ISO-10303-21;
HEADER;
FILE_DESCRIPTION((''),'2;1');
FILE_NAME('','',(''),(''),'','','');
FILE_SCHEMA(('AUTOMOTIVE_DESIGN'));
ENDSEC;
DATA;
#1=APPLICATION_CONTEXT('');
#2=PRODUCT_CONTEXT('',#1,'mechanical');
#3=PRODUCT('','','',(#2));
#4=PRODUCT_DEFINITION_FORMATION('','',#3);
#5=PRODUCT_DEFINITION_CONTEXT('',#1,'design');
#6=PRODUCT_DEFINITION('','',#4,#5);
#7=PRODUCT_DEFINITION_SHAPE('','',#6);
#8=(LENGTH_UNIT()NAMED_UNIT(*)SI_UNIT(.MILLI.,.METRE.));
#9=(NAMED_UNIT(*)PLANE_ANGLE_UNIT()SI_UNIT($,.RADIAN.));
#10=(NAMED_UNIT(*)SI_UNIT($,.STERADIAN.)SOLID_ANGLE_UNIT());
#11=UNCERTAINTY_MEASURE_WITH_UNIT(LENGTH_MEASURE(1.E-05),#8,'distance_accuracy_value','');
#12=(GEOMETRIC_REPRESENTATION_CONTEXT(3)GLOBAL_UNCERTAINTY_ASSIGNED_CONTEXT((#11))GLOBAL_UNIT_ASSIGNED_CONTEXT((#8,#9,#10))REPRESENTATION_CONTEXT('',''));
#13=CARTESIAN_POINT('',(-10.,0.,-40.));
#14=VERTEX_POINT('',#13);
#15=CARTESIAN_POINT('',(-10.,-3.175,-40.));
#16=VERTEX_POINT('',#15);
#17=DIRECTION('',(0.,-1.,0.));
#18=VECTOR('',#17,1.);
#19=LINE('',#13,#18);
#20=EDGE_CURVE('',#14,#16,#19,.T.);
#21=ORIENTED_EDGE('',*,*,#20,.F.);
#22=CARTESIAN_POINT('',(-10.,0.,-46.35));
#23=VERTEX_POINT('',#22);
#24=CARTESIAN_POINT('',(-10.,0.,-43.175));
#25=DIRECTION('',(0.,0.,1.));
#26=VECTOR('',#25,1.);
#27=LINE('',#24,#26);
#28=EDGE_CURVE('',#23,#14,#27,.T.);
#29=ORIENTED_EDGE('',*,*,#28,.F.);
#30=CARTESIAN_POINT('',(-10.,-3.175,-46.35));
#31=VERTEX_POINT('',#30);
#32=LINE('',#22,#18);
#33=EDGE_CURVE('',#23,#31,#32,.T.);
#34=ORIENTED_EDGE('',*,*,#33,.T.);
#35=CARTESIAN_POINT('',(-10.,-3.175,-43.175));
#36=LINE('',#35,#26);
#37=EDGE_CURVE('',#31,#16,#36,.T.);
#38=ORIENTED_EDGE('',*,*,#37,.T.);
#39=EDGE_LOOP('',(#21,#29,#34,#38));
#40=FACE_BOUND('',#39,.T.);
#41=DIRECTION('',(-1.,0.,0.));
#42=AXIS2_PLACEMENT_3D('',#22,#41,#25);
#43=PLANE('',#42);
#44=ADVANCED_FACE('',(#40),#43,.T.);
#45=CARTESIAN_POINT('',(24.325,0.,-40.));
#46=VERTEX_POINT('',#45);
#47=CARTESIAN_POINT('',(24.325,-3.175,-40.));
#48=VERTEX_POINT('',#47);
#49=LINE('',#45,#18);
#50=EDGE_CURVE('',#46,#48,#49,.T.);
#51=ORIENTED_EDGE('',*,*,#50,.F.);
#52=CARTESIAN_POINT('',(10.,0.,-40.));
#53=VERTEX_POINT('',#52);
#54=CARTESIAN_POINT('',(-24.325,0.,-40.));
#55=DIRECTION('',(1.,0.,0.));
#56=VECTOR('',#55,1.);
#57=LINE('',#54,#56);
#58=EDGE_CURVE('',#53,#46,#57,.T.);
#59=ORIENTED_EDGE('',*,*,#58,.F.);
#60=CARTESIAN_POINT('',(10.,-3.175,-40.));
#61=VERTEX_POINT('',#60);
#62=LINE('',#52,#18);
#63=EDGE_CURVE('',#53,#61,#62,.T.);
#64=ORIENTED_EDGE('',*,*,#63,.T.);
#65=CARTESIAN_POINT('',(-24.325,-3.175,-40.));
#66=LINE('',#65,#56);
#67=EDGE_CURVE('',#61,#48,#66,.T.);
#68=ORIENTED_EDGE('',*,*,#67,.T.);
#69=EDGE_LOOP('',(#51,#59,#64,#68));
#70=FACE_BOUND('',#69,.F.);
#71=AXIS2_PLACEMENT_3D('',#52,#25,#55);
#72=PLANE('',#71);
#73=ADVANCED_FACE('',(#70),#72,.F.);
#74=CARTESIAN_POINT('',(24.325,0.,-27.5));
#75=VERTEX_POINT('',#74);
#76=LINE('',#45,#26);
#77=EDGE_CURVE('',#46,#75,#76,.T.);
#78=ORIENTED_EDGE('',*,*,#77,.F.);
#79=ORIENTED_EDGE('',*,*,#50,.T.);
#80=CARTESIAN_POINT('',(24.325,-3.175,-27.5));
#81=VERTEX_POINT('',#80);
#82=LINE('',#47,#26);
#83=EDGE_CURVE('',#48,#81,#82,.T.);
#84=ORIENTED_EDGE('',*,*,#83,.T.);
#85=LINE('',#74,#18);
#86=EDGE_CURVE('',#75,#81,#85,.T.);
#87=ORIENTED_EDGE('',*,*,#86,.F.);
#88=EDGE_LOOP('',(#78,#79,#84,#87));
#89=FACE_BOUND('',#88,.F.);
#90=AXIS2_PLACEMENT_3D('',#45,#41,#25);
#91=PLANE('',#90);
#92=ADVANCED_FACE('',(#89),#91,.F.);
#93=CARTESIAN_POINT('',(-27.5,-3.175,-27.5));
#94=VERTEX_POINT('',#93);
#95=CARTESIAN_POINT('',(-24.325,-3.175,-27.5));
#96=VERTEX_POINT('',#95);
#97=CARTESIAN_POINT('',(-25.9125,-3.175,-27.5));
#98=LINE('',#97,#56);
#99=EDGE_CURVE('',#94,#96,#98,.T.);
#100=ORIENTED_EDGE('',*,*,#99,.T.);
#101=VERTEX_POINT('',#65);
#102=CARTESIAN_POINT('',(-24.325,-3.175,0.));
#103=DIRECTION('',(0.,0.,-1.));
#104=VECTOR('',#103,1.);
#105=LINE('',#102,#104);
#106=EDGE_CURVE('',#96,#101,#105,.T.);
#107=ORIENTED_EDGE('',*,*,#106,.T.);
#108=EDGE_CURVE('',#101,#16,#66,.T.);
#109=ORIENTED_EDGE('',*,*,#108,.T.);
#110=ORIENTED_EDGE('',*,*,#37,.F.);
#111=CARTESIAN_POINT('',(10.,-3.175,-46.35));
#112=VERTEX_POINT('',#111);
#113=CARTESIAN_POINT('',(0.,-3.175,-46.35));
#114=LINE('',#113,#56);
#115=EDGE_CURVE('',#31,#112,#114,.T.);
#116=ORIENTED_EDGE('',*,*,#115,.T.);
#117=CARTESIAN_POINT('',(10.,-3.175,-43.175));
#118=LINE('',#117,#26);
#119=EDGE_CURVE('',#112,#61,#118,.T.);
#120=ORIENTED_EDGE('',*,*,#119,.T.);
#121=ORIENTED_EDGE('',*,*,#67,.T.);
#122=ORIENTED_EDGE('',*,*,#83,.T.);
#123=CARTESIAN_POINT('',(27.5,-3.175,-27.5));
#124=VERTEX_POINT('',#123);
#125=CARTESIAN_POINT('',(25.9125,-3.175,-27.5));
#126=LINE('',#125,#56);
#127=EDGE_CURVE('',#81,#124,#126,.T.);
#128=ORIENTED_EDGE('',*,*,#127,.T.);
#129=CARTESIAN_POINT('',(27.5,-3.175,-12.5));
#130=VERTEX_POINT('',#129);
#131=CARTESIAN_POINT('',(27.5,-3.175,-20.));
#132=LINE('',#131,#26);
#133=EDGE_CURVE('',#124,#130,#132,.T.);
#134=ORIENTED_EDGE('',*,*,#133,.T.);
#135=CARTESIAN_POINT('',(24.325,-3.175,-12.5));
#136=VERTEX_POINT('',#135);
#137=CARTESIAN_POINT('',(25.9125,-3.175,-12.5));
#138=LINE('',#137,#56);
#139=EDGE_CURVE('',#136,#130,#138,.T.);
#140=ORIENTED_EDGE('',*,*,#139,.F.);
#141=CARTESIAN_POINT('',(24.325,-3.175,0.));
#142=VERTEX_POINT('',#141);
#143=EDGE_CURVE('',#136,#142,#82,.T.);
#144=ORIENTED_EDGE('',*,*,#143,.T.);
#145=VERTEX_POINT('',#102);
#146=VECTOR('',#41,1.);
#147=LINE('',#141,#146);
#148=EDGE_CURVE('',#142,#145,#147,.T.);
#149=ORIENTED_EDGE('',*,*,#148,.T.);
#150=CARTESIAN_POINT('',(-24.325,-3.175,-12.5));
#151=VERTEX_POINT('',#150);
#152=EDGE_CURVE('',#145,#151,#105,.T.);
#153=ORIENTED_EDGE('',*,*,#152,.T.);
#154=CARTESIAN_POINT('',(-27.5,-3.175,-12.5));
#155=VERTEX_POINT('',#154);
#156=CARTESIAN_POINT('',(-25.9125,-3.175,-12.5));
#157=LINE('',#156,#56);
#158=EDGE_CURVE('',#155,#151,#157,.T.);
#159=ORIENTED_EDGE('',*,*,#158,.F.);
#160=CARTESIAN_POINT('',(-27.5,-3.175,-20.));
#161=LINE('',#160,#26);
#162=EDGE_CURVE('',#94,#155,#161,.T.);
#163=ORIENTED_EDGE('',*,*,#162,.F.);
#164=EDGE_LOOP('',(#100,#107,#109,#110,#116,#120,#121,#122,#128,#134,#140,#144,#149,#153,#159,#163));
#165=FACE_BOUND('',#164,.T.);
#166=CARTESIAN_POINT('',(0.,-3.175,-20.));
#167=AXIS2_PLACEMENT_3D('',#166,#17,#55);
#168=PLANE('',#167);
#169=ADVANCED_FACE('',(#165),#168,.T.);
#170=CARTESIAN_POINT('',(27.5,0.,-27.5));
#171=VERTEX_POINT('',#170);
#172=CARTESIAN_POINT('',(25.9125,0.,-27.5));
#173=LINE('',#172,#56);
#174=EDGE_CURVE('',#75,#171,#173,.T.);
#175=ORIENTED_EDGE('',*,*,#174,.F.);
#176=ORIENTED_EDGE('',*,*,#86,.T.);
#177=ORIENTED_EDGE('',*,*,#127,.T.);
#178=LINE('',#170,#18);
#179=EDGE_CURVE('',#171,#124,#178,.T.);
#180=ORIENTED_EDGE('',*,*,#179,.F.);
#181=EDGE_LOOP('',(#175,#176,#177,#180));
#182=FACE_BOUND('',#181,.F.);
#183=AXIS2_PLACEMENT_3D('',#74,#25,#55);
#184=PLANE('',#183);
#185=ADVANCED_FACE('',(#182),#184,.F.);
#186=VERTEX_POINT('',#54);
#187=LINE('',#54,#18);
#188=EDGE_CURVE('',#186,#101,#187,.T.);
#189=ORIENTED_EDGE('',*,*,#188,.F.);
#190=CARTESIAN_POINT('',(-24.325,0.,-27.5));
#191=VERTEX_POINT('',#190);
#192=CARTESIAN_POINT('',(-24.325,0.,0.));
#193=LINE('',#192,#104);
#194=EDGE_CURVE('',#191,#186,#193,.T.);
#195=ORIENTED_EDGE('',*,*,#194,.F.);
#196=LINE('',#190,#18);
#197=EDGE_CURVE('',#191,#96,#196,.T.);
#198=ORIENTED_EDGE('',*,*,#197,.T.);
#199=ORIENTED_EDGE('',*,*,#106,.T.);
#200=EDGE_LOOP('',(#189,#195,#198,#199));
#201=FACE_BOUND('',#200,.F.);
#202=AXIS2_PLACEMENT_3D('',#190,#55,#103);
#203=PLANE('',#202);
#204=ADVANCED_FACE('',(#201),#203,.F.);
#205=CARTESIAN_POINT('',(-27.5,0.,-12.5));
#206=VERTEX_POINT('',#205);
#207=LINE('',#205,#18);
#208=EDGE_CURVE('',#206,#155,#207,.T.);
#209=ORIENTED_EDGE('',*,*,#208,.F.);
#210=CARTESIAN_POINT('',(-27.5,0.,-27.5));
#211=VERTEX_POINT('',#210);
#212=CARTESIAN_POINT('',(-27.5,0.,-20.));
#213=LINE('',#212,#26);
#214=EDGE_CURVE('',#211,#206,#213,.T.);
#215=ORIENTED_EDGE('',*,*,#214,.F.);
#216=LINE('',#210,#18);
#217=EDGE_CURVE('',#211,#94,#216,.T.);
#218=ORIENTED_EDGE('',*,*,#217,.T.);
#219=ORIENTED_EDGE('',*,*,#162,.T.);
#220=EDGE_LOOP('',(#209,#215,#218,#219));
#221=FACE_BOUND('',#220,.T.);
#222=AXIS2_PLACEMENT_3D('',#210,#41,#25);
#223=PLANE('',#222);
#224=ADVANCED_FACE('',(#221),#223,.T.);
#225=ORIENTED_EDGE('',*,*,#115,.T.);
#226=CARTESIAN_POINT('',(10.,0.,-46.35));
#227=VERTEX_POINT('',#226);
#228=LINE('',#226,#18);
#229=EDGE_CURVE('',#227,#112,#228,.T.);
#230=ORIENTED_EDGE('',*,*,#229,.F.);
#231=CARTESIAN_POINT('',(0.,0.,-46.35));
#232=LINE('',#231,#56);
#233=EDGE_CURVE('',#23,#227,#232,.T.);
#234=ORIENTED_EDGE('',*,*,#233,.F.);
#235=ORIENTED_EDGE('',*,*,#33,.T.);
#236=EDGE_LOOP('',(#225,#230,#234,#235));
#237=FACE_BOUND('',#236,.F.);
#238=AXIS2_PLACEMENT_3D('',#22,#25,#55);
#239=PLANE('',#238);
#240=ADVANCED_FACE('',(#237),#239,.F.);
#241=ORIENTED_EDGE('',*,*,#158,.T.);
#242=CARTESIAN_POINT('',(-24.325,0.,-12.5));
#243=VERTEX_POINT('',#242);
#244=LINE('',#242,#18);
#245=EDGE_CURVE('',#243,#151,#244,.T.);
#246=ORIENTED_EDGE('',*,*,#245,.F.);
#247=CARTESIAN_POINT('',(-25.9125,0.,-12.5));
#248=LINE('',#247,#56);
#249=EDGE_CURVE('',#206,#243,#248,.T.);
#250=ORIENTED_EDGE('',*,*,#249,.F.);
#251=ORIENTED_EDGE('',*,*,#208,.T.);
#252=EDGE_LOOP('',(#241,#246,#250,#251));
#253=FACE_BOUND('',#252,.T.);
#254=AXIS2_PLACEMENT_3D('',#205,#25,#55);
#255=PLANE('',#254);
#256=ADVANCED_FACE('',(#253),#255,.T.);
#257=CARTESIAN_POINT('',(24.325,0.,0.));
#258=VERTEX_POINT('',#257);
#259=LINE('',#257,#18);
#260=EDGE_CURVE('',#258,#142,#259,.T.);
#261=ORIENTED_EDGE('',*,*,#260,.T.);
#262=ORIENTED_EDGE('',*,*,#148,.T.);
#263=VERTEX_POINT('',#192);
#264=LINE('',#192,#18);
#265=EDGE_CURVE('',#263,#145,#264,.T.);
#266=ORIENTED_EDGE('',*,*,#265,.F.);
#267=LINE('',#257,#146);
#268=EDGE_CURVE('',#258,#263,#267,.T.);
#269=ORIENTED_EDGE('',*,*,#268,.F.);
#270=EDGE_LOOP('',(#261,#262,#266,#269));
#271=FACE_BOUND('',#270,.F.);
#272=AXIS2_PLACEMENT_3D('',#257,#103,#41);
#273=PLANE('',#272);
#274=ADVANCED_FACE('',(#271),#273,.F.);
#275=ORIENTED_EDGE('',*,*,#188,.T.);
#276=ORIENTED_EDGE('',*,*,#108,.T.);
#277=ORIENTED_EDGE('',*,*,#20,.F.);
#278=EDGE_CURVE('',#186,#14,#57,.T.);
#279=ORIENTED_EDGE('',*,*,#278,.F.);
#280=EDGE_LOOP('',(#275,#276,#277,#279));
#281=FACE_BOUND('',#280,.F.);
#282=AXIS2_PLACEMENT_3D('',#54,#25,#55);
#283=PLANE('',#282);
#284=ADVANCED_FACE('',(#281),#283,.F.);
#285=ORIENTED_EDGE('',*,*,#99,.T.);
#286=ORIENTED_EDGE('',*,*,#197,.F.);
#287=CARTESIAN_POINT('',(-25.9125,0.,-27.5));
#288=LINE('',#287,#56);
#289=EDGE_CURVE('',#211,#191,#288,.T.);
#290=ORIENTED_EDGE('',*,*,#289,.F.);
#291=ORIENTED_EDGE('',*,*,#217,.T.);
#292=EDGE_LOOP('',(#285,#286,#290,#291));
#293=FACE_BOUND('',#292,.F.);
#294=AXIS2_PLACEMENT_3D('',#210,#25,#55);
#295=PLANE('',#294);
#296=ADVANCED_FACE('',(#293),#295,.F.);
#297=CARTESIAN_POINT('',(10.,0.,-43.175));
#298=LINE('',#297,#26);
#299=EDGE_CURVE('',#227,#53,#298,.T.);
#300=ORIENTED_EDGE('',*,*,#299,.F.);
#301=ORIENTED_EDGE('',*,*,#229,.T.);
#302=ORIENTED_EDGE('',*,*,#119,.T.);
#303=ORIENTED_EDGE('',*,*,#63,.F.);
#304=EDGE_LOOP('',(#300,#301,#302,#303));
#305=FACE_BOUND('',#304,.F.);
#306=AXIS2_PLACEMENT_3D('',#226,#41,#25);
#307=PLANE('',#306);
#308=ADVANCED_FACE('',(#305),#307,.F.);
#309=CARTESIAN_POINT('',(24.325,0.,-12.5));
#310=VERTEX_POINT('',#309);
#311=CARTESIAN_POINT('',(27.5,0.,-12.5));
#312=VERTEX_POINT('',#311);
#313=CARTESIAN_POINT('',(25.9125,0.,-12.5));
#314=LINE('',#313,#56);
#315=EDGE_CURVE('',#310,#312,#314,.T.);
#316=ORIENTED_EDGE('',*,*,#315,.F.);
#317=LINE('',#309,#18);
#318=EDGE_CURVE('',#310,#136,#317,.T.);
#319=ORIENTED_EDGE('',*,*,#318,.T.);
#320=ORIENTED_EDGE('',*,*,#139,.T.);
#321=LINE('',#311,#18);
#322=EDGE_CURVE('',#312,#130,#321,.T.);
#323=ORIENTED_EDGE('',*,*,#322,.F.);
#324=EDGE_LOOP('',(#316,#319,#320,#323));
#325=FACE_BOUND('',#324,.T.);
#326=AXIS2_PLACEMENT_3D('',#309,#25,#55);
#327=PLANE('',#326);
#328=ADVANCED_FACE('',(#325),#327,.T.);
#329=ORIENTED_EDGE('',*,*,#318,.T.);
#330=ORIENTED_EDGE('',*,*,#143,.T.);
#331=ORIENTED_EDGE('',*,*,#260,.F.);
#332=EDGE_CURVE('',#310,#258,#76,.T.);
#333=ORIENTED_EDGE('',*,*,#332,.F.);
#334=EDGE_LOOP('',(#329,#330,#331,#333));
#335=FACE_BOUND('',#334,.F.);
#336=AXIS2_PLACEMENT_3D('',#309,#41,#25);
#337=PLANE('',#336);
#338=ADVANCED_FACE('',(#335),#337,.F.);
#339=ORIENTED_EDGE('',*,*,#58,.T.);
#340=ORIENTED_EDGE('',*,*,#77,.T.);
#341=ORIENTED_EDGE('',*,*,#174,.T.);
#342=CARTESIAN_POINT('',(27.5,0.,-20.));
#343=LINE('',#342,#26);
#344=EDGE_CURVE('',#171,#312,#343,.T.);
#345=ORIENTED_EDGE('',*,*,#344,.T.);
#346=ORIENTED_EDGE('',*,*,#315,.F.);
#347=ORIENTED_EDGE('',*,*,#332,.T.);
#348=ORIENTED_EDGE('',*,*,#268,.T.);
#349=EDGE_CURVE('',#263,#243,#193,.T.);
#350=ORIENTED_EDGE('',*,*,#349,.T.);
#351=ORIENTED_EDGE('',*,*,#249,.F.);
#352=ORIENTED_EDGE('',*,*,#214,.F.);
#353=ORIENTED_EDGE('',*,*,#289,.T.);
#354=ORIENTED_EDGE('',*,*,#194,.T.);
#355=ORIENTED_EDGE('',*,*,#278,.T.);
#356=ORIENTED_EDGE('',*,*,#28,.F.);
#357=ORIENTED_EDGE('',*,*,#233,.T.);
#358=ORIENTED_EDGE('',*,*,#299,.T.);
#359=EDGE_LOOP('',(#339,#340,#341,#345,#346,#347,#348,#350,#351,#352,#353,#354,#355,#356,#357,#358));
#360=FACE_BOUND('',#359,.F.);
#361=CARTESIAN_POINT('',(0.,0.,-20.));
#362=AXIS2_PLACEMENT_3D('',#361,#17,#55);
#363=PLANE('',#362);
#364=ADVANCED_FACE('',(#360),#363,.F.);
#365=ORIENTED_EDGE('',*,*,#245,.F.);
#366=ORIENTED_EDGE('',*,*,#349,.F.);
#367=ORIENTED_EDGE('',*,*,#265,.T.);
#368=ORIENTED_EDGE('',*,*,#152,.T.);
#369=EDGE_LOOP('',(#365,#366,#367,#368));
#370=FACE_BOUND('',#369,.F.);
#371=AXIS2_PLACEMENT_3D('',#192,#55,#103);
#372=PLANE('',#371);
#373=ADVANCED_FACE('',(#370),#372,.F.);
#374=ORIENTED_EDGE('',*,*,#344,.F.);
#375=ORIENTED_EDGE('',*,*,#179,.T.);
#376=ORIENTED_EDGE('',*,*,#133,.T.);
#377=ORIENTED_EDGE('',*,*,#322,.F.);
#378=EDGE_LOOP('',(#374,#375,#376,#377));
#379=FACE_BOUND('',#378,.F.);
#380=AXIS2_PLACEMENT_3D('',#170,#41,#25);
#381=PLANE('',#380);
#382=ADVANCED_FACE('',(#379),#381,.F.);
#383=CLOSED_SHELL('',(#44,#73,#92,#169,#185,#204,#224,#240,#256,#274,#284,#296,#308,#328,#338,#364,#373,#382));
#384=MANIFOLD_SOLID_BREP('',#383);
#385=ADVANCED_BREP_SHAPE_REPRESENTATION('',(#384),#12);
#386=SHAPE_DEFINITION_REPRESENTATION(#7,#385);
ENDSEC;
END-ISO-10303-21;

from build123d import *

# Parameters (mm, degrees)
F0_W     = 3.175
F0_H     = 15
F0_W_2   = 20
F0_H_2   = 6.35
F1_DEPTH = 3.175


with BuildPart() as f1:
    # F0 (on Front) → F1 (new body)
    with BuildSketch(Plane.XZ):
        Polygon((24.325, 0), (-24.325, 0), (-24.325, -12.5), (-24.325, -27.5), (-24.325, -40), (-10, -40), (10, -40), (24.325, -40), (24.325, -27.5), (24.325, -12.5), align=None)
        with Locations((25.9125, -20)):
            Rectangle(F0_W, F0_H)
        with Locations((-25.9125, -20)):
            Rectangle(F0_W, F0_H)
        with Locations((0, -43.175)):
            Rectangle(F0_W_2, F0_H_2)
    extrude(amount=F1_DEPTH)


solid = f1.part
